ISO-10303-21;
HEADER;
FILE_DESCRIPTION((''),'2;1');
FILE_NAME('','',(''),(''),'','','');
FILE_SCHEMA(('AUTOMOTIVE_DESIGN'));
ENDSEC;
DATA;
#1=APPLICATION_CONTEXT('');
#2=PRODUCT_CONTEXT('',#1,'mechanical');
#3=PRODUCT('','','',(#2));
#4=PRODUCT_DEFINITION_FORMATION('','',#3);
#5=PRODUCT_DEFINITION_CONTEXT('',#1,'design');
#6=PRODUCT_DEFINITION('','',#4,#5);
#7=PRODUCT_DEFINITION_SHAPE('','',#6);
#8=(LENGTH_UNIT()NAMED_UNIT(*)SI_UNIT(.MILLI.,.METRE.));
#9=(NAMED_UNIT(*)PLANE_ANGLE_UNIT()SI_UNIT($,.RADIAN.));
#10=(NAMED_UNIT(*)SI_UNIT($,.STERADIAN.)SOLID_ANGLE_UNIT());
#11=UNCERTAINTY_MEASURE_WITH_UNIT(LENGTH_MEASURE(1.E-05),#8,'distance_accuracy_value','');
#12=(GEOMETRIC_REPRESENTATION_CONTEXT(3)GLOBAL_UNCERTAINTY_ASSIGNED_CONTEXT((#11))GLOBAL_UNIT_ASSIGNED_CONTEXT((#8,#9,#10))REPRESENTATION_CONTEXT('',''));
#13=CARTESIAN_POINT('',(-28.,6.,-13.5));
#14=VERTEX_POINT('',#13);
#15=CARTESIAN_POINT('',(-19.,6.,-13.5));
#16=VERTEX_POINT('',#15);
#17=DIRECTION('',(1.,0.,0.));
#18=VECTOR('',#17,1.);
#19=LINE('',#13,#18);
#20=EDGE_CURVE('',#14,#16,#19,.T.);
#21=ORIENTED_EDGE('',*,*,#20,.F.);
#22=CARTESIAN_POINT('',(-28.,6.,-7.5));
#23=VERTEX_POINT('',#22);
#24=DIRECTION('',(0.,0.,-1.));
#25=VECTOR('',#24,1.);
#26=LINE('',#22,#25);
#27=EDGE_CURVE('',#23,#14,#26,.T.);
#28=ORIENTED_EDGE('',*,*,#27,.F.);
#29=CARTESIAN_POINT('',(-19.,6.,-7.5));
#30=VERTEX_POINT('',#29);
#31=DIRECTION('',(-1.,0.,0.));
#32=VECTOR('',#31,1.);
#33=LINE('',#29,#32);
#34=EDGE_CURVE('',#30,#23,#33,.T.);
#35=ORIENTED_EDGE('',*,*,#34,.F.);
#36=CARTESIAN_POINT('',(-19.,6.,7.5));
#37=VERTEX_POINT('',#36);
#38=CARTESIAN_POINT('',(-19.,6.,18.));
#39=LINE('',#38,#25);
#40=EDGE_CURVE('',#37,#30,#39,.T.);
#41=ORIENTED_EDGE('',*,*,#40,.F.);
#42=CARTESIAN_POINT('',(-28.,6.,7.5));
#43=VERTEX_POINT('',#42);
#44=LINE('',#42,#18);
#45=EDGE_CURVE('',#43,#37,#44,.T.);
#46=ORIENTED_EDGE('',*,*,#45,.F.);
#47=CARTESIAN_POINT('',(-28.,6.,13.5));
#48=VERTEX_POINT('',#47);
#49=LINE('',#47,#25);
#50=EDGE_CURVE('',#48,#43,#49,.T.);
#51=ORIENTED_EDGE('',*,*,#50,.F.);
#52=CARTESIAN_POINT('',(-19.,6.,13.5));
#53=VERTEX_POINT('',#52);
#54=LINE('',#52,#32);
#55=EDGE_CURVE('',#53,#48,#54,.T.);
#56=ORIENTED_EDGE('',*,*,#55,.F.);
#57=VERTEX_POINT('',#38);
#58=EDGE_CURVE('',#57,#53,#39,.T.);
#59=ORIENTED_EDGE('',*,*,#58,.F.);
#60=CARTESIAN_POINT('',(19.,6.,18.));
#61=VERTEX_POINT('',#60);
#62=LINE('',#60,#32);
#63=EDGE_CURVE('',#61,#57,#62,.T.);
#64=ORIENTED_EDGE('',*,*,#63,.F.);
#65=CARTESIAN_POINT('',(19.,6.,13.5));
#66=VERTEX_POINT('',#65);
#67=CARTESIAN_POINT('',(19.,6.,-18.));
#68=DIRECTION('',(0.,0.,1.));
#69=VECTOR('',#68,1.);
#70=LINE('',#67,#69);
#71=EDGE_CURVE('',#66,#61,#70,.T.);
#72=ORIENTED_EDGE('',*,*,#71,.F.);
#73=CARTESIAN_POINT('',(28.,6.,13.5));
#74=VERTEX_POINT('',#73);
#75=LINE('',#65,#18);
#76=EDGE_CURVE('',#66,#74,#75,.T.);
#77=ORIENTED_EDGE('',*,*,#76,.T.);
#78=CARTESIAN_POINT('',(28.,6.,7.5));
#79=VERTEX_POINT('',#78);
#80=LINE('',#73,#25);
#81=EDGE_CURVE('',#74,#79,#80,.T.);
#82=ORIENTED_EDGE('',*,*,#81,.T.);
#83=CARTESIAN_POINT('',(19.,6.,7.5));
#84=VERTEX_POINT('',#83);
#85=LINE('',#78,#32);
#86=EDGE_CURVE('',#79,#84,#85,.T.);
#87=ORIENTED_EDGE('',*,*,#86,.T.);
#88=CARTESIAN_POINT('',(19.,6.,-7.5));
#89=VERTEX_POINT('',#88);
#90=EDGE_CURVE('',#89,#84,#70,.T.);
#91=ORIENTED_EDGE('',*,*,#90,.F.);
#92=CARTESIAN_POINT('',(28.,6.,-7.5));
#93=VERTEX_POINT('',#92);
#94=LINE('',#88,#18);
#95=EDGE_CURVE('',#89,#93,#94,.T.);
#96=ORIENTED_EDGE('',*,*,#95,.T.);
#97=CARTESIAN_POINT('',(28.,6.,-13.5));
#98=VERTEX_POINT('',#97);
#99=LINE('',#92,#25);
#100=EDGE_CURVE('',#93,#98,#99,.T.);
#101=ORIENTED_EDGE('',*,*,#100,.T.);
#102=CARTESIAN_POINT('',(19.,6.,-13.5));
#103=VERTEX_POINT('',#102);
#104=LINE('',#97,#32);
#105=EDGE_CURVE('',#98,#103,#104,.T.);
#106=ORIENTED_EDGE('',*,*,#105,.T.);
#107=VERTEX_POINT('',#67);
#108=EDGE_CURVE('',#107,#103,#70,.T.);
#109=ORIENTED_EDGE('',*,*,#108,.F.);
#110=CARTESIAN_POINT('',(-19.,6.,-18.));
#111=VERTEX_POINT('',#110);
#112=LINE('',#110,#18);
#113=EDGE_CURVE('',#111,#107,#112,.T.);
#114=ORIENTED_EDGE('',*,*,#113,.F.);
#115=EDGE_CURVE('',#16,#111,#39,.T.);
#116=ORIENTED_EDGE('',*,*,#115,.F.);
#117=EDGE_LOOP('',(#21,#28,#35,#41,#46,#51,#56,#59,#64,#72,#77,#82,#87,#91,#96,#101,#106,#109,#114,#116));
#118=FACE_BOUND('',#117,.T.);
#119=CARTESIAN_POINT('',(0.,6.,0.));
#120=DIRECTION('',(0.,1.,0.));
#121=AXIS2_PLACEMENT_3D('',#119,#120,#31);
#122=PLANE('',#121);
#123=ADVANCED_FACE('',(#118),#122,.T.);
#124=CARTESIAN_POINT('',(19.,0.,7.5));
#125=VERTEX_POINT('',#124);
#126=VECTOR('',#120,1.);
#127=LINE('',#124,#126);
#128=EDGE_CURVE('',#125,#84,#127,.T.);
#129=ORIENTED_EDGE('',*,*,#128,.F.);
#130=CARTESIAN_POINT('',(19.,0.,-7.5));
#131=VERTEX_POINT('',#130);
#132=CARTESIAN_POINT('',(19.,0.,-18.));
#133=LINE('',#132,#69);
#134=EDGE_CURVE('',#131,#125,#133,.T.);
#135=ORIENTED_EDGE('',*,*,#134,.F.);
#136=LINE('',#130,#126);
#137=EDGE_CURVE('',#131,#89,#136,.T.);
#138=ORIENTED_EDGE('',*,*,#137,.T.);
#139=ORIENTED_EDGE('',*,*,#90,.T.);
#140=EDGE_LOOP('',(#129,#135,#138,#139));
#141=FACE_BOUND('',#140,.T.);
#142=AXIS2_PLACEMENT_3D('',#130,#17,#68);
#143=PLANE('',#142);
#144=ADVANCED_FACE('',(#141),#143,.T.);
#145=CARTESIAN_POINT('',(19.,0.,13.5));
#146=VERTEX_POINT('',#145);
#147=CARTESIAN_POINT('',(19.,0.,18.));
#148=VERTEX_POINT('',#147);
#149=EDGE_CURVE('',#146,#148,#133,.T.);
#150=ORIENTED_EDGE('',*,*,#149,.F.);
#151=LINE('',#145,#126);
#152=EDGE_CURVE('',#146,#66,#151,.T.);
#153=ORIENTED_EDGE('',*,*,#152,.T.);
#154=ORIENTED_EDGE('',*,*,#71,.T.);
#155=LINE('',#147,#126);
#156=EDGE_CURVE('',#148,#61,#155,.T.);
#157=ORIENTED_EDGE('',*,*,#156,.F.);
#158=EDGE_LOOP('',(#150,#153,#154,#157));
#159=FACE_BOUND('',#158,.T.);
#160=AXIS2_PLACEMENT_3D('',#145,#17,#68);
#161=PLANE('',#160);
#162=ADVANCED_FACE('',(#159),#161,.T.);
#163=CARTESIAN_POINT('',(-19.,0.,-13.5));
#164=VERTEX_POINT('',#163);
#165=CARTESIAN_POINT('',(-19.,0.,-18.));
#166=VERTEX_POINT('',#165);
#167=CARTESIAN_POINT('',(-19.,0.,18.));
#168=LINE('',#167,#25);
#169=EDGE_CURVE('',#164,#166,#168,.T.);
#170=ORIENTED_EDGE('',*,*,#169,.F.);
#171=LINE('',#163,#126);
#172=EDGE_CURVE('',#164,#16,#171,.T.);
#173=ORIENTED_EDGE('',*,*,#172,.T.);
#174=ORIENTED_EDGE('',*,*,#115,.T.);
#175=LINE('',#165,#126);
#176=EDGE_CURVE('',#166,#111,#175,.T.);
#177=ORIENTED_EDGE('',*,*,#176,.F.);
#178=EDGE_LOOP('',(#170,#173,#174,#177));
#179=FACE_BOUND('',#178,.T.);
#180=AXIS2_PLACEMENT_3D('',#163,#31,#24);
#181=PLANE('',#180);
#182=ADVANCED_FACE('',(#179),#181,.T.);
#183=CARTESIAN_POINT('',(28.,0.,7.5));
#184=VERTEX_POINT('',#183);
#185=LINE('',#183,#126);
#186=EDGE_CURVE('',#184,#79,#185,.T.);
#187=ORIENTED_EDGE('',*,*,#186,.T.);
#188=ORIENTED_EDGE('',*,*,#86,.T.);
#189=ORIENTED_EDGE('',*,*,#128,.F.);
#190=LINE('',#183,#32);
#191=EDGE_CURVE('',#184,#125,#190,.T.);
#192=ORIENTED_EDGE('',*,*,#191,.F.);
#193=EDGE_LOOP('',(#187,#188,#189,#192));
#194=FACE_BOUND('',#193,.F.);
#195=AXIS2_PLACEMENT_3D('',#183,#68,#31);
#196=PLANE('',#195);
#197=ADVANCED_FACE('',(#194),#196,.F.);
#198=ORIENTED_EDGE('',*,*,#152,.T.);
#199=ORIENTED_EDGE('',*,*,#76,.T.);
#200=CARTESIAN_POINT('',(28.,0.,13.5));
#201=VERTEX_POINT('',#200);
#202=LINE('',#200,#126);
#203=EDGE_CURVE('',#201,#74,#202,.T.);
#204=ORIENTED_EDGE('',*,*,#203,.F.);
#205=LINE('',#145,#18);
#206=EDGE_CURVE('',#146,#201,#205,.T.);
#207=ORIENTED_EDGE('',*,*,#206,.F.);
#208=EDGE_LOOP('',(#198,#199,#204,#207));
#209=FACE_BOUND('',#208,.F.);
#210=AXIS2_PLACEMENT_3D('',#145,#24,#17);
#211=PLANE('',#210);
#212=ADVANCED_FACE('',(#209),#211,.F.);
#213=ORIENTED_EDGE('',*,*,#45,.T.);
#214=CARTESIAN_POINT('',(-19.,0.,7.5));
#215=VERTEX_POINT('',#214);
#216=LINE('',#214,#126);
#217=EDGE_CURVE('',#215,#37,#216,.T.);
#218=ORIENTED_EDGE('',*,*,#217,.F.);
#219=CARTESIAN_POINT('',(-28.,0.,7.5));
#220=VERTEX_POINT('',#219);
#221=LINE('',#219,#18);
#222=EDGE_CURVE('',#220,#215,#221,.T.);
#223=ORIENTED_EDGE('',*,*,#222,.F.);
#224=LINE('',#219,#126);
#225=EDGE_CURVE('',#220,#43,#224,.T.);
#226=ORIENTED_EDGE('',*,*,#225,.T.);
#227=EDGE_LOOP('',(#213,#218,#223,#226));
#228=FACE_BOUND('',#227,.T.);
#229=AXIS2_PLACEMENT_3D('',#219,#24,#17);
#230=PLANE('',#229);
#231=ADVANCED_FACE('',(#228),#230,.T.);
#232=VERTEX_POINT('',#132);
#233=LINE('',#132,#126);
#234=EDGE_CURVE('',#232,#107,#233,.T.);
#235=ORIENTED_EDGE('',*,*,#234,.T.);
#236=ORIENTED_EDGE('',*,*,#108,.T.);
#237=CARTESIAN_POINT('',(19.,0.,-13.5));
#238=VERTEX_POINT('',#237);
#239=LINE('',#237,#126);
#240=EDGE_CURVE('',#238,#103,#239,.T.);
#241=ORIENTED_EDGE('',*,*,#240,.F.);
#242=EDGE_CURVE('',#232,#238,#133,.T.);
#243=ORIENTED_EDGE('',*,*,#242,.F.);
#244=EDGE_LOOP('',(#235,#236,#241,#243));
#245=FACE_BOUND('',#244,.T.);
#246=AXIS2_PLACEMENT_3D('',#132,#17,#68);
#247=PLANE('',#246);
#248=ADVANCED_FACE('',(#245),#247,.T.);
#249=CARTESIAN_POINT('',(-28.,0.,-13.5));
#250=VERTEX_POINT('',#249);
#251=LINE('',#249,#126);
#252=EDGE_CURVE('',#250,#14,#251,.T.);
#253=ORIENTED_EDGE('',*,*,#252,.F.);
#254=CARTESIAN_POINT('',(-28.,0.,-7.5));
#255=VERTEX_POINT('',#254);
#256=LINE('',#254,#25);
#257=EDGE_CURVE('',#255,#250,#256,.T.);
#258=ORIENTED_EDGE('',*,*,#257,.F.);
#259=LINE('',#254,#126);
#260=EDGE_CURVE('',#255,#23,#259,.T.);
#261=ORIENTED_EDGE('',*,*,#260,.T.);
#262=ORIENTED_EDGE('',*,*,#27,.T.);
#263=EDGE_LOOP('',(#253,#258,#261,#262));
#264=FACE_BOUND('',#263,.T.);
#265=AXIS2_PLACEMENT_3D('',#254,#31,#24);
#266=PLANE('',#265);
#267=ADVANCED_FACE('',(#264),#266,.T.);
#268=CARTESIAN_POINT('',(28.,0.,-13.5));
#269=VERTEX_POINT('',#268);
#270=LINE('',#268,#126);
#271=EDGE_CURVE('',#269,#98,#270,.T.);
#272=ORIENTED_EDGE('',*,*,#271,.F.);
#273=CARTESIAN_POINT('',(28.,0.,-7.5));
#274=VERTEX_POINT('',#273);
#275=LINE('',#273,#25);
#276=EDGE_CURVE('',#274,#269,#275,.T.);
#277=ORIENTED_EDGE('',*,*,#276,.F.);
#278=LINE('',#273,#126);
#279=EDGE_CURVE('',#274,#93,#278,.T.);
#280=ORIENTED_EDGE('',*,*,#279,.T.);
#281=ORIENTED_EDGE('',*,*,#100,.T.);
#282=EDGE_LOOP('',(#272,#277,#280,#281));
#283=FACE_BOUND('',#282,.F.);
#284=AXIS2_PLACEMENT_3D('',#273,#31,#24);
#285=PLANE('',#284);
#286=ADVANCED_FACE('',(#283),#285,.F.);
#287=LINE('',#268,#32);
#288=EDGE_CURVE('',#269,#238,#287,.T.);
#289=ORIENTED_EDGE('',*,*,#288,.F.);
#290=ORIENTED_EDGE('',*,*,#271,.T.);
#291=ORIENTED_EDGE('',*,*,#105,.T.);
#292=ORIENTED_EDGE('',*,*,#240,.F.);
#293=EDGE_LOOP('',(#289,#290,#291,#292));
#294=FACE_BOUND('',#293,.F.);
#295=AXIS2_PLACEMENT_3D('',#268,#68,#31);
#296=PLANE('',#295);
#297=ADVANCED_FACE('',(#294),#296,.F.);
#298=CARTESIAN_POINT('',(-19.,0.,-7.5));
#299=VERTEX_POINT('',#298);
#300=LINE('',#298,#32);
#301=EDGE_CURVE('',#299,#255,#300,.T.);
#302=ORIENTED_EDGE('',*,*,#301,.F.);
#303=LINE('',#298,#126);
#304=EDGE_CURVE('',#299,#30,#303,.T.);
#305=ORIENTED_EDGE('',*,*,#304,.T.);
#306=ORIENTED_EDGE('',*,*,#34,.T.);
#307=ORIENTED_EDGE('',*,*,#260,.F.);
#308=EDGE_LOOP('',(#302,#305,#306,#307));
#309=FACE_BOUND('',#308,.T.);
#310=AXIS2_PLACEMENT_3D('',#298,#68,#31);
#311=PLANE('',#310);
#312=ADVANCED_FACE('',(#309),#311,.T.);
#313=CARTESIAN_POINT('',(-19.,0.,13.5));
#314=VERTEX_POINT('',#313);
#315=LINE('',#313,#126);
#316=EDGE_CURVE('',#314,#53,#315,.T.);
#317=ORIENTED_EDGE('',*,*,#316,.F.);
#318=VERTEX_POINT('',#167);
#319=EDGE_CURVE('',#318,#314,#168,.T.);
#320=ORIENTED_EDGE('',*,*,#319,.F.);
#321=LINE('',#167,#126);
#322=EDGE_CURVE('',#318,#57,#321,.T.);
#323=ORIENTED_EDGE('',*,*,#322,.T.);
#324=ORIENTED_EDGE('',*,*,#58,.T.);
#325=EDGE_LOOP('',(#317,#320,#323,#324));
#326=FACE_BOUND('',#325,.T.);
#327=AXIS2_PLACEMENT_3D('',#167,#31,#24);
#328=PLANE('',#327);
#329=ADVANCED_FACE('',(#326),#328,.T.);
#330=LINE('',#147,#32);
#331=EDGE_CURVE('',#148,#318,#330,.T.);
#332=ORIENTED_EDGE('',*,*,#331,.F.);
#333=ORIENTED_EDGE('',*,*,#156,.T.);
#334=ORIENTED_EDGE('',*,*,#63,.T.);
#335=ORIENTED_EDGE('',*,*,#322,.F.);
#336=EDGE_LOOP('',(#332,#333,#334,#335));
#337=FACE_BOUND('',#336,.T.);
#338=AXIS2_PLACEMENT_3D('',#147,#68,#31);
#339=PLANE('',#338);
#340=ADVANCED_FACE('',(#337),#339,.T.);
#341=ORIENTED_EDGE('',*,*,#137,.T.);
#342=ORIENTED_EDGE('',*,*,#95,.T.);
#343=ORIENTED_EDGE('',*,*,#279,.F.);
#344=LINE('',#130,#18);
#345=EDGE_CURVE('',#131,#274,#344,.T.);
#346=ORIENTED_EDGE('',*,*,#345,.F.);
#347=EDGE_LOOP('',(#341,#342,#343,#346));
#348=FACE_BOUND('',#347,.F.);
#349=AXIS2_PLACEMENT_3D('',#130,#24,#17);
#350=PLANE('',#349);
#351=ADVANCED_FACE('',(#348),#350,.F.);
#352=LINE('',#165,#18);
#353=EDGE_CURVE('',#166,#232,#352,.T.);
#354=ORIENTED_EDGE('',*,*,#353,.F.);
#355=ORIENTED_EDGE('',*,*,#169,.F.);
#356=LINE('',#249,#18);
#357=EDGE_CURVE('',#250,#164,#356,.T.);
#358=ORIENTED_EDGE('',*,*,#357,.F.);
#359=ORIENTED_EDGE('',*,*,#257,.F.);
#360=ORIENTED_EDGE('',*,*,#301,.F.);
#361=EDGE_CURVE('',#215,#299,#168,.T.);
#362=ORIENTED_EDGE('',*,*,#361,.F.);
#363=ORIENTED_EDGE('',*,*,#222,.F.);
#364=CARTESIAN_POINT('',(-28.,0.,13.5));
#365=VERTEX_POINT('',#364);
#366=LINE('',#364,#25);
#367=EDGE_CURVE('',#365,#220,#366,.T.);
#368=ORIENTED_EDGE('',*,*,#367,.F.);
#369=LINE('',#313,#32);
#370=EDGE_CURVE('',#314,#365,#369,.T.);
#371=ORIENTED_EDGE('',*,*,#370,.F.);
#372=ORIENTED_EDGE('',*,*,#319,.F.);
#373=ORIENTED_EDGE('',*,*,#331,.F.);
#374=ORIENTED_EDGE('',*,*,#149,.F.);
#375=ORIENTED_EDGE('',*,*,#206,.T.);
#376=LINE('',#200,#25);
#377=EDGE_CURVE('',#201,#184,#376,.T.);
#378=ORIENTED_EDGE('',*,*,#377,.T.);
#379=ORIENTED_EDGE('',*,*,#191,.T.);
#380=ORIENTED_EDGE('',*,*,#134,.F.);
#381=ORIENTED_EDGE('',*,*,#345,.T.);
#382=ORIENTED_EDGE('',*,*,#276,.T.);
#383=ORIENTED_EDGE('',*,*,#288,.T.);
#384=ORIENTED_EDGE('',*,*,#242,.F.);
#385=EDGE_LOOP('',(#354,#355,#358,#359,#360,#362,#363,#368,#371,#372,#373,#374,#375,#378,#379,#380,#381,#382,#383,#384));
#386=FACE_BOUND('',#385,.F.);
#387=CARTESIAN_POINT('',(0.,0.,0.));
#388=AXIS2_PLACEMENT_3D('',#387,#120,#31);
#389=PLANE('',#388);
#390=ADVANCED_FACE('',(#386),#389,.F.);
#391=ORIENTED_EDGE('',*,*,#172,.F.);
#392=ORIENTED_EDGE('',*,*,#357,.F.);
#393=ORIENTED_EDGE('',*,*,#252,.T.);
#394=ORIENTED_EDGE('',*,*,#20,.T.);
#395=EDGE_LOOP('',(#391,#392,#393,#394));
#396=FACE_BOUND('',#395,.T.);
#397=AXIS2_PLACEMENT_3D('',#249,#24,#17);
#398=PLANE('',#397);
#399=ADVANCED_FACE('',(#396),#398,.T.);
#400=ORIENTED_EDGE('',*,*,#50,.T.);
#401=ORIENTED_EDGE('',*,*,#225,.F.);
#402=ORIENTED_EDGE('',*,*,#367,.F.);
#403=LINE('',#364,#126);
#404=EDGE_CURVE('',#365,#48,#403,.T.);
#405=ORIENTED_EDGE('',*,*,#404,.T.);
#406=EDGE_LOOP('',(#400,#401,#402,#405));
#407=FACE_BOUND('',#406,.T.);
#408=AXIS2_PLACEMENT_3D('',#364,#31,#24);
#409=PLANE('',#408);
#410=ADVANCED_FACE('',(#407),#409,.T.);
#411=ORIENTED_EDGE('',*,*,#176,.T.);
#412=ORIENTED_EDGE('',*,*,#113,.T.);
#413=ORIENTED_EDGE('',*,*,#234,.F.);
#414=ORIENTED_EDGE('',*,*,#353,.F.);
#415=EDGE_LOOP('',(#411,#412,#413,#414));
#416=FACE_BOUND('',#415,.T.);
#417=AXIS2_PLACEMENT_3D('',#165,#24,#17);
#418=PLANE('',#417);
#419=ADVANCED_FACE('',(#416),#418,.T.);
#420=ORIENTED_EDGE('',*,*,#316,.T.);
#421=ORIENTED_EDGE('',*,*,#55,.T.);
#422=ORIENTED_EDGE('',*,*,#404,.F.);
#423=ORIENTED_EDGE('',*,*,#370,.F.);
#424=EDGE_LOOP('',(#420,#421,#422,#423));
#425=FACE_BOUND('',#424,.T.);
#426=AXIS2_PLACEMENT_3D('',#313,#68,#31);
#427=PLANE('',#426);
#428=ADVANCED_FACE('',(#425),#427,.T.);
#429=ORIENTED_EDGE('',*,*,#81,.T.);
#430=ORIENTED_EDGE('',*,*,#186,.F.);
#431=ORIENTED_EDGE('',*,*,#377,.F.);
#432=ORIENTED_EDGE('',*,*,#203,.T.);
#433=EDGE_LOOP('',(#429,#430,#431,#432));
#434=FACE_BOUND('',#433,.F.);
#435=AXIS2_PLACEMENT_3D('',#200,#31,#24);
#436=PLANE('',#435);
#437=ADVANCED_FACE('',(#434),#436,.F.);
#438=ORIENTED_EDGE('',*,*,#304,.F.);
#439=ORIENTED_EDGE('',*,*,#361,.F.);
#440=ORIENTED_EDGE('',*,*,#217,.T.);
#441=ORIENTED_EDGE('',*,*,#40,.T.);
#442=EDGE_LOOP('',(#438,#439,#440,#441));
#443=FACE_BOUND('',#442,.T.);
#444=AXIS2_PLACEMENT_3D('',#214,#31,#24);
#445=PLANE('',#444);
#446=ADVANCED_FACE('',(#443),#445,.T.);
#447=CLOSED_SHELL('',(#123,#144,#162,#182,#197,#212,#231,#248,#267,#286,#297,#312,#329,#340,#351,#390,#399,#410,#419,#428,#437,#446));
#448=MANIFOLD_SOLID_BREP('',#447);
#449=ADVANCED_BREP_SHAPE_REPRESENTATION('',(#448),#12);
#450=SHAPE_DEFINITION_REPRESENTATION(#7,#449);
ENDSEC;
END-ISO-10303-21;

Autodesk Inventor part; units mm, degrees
ref_plane "YZ Plane" through (0, 0, 0) normal (1, 0, 0) x (0, 1, 0)
ref_plane "XZ Plane" through (0, 0, 0) normal (0, 1, 0) x (-1, 0, 0)
ref_plane "XY Plane" through (0, 0, 0) normal (0, 0, 1) x (1, 0, 0)
sketch "Sketch1" plane through (0, 0, 0) normal (0, 1, 0) x (-1, 0, 0)
  line L0 (19, -18) -> (-19, -18)
  line L1 (-19, -18) -> (-19, 18)
  line L2 (-19, 18) -> (19, 18)
  line L3 (19, 18) -> (19, -18)
  line L4 (19, -18) -> (-19, 18) construction
  line L5 (-19, -18) -> (19, 18) construction
  line L6 (-19, 13.5) -> (-28, 13.5)
  line L7 (-28, 13.5) -> (-28, 7.5)
  line L8 (-28, 7.5) -> (-19, 7.5)
  line L9 (-19, 7.5) -> (-19, 13.5)
  line L10 (-19, -7.5) -> (-28, -7.5)
  line L11 (-28, -7.5) -> (-28, -13.5)
  line L12 (-28, -13.5) -> (-19, -13.5)
  line L13 (-19, -13.5) -> (-19, -7.5)
  line L14 (0, 18) -> (0, -18) construction
  line L15 (19, 13.5) -> (28, 13.5)
  line L16 (28, 13.5) -> (28, 7.5)
  line L17 (28, 7.5) -> (19, 7.5)
  line L18 (19, 7.5) -> (19, 13.5)
  line L19 (19, -7.5) -> (28, -7.5)
  line L20 (28, -7.5) -> (28, -13.5)
  line L21 (28, -13.5) -> (19, -13.5)
  line L22 (19, -13.5) -> (19, -7.5)
  point P0 (0, 0)
  dimension "d0" = 38
  dimension "d1" = 36
  dimension "d2" = 9
  dimension "d3" = 6
  dimension "d4" = 9
  dimension "d5" = 6
  dimension "d6" = 4.5
  dimension "d7" = 15
extrude "Extrusion1" add sketch "Sketch1" along normal blind 6
properties part number "wall-back-scaled"
